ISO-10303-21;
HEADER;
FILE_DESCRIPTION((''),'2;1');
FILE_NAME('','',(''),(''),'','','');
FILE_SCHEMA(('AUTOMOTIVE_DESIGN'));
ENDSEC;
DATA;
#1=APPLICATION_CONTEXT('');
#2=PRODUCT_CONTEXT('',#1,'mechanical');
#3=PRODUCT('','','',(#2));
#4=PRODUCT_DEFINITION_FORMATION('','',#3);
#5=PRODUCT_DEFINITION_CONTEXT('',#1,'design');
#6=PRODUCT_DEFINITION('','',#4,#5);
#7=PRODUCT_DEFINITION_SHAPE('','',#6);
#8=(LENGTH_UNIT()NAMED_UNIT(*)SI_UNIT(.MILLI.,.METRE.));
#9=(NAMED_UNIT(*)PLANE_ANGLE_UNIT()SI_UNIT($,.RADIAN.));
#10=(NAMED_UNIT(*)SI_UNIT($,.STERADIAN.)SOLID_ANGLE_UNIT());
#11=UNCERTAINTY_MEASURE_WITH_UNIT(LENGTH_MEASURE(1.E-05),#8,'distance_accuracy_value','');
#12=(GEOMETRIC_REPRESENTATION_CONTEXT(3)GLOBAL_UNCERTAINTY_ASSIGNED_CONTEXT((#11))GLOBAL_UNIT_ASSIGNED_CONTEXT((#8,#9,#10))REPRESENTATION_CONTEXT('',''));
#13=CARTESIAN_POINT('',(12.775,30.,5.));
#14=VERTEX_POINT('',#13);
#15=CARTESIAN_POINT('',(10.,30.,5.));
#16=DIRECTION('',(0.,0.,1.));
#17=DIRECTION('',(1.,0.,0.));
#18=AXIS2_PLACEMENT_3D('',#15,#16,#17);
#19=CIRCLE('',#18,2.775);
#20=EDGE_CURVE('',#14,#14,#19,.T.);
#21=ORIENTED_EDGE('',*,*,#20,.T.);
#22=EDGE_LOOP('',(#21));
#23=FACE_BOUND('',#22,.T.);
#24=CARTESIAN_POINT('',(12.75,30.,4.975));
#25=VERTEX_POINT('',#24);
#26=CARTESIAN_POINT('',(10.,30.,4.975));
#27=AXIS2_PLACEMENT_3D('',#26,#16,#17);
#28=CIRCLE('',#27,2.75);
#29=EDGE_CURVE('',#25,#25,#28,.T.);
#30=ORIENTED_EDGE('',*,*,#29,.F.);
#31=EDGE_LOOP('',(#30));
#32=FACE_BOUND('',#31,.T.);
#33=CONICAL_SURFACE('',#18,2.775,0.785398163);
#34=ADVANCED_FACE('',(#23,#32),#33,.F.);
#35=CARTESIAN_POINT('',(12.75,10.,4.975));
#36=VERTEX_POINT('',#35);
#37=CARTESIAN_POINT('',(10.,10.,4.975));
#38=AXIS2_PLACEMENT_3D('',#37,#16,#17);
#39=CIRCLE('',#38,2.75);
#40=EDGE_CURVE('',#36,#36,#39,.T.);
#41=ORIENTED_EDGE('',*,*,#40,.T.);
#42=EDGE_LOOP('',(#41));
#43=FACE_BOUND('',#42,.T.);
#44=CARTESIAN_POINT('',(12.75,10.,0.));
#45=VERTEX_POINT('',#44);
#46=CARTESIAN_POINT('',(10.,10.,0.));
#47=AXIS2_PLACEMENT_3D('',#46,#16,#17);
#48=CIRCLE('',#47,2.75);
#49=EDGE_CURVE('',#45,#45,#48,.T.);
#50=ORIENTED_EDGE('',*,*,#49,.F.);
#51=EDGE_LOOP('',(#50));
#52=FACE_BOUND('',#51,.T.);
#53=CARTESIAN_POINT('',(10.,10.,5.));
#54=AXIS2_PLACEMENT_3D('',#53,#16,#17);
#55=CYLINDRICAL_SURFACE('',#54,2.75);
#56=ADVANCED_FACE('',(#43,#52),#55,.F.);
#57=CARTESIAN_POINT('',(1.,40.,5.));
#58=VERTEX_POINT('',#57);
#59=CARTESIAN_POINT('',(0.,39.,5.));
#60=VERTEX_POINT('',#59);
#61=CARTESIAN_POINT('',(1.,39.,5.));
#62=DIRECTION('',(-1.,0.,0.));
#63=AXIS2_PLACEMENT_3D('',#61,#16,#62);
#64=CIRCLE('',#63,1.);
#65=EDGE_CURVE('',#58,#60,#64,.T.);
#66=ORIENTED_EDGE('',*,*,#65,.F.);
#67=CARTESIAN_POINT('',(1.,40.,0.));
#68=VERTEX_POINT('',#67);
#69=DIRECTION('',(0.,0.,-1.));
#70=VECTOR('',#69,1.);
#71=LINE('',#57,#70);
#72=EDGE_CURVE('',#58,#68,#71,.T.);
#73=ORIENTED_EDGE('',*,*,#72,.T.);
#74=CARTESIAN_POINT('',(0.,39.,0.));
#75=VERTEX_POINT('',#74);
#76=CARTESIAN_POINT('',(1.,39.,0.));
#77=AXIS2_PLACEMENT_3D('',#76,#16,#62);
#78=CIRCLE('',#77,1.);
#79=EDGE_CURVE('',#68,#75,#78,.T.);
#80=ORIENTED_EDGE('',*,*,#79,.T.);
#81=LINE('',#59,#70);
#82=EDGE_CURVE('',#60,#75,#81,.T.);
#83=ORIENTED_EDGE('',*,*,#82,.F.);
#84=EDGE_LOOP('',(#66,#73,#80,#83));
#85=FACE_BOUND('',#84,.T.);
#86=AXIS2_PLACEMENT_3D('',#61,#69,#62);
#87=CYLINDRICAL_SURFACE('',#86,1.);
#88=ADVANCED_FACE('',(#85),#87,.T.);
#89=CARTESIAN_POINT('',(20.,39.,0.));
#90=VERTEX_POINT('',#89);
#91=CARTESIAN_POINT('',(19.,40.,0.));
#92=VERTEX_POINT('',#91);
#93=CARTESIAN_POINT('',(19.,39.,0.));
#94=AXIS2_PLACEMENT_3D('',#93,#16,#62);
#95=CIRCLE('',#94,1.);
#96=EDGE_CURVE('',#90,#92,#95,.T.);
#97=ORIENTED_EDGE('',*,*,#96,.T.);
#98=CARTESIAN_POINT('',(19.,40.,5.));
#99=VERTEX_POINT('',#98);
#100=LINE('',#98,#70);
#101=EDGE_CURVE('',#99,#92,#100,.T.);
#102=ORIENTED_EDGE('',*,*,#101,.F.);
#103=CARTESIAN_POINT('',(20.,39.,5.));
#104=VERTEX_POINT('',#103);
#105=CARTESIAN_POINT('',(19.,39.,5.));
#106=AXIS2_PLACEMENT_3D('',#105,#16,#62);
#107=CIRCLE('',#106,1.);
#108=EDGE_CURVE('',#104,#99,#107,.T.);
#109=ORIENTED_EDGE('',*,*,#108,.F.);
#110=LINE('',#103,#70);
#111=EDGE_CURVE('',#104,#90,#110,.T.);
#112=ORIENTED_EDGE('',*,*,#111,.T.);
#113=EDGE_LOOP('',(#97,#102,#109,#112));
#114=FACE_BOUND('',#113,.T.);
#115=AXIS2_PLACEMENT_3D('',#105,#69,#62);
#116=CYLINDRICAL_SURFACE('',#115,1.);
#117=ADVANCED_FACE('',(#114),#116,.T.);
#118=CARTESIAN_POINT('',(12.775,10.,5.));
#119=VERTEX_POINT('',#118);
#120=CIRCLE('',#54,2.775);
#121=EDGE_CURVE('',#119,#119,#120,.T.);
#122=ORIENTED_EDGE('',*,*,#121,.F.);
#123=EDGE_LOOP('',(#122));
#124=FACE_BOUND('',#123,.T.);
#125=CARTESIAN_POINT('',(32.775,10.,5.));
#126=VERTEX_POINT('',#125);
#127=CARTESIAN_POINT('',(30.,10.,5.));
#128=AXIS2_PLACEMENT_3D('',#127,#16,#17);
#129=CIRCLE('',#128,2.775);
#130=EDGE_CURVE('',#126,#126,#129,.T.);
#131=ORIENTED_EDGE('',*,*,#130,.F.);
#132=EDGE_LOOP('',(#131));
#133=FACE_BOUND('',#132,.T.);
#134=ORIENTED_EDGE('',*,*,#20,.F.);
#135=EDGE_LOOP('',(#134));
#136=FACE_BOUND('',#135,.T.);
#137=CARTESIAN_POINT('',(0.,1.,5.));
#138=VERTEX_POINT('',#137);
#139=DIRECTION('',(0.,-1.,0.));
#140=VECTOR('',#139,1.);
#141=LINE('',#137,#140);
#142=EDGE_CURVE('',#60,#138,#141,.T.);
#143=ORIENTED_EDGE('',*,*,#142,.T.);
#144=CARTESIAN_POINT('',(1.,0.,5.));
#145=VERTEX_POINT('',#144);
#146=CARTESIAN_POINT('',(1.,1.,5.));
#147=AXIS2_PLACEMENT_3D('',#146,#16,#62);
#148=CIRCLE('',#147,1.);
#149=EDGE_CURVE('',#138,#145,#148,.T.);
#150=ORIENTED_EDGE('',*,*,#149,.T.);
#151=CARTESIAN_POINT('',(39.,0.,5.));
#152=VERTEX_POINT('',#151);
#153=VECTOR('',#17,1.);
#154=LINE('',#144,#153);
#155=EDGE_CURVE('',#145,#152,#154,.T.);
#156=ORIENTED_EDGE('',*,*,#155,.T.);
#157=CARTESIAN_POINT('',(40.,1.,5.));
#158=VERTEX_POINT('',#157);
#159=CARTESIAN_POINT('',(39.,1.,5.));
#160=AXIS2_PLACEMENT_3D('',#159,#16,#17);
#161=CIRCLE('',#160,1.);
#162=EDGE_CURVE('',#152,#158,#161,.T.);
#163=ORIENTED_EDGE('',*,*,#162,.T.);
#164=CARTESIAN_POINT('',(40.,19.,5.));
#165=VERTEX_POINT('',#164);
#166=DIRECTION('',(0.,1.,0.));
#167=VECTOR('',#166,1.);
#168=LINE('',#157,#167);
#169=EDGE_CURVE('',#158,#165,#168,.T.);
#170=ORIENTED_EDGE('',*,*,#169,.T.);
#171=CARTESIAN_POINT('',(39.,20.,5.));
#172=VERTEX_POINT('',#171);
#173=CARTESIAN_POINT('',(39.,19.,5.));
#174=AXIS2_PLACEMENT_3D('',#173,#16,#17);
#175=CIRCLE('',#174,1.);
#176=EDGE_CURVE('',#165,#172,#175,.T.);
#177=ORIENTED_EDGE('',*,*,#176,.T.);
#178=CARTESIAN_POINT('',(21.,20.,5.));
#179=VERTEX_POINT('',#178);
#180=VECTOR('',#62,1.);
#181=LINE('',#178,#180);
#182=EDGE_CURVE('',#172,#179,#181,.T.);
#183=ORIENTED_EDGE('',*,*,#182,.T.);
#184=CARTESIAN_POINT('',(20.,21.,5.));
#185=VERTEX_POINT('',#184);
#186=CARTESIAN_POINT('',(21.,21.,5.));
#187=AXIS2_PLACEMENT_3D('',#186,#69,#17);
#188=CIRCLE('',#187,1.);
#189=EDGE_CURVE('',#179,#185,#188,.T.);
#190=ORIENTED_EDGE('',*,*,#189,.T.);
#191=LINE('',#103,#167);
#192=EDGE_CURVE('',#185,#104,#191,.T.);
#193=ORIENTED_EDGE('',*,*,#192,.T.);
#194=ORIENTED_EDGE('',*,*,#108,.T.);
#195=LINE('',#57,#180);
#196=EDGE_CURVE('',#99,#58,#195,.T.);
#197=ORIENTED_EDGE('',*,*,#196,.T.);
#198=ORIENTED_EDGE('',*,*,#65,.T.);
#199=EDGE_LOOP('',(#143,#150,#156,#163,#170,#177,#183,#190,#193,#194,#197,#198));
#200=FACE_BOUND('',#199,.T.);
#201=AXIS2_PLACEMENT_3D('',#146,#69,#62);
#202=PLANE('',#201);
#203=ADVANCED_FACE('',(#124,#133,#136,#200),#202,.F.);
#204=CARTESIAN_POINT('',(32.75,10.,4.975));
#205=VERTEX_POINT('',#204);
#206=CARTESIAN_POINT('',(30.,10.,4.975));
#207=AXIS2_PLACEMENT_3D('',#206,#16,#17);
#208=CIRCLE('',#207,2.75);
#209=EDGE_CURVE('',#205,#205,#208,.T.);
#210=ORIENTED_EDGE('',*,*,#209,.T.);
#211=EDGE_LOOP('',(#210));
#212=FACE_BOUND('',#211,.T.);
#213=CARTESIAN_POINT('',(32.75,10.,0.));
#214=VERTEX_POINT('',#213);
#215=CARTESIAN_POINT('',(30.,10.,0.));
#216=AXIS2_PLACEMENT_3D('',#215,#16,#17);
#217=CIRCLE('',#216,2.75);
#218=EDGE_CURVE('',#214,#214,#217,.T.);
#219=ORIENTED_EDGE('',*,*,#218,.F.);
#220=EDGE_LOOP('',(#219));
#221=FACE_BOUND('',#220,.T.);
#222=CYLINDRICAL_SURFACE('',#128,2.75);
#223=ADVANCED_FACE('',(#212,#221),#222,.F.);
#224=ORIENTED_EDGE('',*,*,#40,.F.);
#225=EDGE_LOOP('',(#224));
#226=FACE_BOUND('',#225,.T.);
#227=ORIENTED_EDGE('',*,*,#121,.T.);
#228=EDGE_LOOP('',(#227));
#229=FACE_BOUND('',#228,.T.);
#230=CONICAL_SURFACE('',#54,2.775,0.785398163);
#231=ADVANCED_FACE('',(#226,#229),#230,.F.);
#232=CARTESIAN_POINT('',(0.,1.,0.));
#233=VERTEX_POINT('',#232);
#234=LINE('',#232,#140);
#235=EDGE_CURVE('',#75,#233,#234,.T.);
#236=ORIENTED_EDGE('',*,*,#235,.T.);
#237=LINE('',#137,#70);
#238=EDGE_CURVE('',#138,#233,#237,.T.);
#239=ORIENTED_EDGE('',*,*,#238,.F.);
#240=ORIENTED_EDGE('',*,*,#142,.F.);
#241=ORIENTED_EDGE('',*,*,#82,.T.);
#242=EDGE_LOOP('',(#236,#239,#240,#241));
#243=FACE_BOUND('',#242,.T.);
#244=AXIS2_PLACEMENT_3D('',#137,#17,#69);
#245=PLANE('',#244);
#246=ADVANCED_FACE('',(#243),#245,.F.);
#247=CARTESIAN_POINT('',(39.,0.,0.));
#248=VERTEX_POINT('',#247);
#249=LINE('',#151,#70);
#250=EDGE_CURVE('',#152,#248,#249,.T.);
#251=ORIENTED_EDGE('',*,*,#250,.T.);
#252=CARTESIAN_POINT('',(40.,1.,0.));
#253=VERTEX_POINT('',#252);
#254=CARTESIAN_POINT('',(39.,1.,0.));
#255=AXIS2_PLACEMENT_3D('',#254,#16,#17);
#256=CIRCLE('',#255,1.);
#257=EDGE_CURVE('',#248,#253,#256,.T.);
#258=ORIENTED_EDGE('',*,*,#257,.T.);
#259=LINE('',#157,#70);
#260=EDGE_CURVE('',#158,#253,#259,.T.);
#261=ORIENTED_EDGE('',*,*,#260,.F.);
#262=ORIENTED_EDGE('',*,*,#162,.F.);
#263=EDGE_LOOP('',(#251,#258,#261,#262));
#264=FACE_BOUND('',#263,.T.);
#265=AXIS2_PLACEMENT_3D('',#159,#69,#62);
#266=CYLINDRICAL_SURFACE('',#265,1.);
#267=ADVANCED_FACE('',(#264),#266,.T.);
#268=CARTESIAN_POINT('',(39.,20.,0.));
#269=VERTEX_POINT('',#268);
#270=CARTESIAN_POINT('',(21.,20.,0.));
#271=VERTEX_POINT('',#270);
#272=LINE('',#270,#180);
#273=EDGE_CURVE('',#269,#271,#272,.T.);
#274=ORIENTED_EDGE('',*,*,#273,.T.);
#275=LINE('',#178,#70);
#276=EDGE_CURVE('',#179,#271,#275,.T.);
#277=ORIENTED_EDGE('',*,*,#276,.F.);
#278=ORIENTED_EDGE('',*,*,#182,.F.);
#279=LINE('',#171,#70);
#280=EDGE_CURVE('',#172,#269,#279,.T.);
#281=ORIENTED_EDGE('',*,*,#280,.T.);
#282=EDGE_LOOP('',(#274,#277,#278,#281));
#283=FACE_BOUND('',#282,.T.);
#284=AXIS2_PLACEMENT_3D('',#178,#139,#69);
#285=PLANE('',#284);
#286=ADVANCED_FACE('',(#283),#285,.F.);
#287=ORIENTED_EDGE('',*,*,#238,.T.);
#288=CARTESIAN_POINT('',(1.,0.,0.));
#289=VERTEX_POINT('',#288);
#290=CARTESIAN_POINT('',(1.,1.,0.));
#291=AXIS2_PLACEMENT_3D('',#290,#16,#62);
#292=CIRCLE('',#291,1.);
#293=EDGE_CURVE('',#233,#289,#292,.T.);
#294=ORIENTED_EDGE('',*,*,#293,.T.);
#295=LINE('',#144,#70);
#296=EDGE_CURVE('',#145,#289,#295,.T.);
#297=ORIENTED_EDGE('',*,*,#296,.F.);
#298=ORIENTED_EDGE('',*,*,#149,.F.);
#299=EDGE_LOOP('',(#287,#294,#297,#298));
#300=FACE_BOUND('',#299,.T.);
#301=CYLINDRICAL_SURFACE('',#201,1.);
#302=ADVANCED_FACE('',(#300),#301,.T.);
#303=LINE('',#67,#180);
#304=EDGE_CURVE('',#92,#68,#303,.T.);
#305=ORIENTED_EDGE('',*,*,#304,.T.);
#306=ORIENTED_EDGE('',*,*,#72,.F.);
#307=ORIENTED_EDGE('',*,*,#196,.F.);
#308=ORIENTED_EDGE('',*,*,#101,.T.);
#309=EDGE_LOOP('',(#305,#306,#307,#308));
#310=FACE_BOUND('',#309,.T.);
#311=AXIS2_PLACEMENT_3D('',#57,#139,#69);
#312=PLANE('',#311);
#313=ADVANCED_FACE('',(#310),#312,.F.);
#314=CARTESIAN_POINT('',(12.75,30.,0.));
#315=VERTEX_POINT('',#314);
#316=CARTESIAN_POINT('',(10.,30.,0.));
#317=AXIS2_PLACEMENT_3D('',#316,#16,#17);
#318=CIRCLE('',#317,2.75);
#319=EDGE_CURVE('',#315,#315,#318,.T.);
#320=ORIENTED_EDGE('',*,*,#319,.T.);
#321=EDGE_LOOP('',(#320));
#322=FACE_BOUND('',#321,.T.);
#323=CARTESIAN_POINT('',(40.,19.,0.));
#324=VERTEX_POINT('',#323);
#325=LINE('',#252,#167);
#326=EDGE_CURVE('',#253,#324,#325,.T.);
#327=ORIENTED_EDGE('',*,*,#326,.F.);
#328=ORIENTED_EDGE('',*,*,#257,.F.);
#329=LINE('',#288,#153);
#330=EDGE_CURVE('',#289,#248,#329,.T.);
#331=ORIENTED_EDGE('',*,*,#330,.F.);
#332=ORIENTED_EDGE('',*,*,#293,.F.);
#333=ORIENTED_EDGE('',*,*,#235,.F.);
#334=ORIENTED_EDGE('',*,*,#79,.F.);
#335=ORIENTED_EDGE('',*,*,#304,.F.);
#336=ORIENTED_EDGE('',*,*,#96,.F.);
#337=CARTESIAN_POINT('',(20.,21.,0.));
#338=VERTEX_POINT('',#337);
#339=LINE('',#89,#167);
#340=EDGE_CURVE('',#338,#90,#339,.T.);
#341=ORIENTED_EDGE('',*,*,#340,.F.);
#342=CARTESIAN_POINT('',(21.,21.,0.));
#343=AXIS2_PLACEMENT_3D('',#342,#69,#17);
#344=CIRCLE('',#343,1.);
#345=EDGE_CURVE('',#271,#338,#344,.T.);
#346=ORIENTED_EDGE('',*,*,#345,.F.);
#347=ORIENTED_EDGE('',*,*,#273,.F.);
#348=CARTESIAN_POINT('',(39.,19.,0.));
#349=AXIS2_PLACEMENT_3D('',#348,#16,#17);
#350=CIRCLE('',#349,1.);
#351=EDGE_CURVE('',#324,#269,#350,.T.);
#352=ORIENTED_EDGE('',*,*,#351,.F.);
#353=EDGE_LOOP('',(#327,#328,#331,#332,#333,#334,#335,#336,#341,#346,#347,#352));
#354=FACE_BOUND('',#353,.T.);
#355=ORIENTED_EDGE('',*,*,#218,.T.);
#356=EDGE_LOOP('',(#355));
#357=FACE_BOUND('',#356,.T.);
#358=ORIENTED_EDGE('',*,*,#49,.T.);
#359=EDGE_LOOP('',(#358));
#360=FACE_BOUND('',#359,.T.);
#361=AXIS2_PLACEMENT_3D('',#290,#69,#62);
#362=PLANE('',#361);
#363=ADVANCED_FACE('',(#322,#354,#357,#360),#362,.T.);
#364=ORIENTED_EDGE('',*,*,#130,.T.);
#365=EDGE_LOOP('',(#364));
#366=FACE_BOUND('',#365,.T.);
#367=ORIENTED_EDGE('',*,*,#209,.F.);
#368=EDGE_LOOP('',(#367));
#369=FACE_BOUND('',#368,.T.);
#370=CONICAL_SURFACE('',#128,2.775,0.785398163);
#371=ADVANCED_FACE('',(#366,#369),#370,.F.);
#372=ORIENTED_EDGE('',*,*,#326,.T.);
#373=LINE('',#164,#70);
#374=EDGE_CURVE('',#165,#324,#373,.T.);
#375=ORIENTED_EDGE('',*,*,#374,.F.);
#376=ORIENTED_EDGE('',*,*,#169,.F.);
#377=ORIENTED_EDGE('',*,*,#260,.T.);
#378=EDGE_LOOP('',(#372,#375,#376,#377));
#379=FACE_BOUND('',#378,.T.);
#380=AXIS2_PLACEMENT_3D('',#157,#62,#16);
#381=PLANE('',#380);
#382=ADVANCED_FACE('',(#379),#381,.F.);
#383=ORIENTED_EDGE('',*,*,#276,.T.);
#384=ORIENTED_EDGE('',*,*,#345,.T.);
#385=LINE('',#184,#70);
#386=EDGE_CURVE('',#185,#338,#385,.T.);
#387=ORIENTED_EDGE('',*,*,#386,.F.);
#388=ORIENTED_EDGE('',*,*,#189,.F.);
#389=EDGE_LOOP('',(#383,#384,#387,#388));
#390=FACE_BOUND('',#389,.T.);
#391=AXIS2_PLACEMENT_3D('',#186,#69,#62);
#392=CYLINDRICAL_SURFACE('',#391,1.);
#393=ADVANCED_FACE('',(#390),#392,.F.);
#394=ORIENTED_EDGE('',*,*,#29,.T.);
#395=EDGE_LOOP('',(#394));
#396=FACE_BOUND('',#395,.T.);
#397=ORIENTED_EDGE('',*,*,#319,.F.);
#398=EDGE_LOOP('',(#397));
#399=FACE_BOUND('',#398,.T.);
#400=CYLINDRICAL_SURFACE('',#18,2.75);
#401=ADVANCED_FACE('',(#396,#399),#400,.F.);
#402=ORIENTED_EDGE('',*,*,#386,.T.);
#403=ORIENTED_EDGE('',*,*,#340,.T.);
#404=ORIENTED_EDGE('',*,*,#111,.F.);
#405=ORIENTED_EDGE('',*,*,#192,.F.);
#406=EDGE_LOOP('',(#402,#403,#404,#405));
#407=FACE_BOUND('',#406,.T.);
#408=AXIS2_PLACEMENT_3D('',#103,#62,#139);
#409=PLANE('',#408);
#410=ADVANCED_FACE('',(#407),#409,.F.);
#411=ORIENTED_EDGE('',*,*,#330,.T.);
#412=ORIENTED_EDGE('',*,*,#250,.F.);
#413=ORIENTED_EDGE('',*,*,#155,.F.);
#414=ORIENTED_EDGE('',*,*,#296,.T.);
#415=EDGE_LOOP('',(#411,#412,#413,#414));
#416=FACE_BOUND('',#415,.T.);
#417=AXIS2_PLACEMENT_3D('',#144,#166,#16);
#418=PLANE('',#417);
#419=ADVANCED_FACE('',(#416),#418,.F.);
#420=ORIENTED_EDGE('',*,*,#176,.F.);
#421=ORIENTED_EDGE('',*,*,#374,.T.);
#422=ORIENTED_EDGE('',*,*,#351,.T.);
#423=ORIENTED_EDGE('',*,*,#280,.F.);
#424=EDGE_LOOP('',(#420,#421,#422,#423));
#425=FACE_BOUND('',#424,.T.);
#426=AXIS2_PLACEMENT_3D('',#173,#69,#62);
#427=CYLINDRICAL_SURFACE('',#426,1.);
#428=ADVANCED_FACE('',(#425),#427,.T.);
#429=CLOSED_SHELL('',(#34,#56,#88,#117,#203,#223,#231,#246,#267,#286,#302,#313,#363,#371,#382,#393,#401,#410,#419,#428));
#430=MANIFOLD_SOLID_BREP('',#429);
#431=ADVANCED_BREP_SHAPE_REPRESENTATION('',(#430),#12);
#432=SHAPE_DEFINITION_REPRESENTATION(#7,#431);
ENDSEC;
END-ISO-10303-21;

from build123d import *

# Parameters (mm, degrees)
BOSS_EXTRUDE1_DEPTH            = 5
M5_CLEARANCE_HOLE1_D           = 5.5
M5_CLEARANCE_HOLE1_CSINK_D     = 5.55
M5_CLEARANCE_HOLE1_CSINK_ANGLE = 90


with BuildPart() as part:
    # Sketch1 → Boss-Extrude1 (new body)
    with BuildSketch(Plane.XY):
        with BuildLine():
            Line((1, 0), (39, 0))
            ThreePointArc((39, 0), (39.707106781, 0.292893219), (40, 1))
            Line((40, 1), (40, 19))
            ThreePointArc((40, 19), (39.707106781, 19.707106781), (39, 20))
            Line((39, 20), (21, 20))
            ThreePointArc((21, 20), (20.292893219, 20.292893219), (20, 21))
            Line((20, 21), (20, 39))
            ThreePointArc((20, 39), (19.707106781, 39.707106781), (19, 40))
            Line((19, 40), (1, 40))
            ThreePointArc((1, 40), (0.292893219, 39.707106781), (0, 39))
            Line((0, 39), (0, 1))
            ThreePointArc((0, 1), (0.292893219, 0.292893219), (1, 0))
        make_face()
    extrude(amount=BOSS_EXTRUDE1_DEPTH)

    # M5 Clearance Hole1 (through all)
    with Locations(Plane.XY.offset(5)):
        with Locations((10, 30), (10, 10), (30, 10)):
            CounterSinkHole(M5_CLEARANCE_HOLE1_D / 2, M5_CLEARANCE_HOLE1_CSINK_D / 2, counter_sink_angle=M5_CLEARANCE_HOLE1_CSINK_ANGLE)


solid = part.part
